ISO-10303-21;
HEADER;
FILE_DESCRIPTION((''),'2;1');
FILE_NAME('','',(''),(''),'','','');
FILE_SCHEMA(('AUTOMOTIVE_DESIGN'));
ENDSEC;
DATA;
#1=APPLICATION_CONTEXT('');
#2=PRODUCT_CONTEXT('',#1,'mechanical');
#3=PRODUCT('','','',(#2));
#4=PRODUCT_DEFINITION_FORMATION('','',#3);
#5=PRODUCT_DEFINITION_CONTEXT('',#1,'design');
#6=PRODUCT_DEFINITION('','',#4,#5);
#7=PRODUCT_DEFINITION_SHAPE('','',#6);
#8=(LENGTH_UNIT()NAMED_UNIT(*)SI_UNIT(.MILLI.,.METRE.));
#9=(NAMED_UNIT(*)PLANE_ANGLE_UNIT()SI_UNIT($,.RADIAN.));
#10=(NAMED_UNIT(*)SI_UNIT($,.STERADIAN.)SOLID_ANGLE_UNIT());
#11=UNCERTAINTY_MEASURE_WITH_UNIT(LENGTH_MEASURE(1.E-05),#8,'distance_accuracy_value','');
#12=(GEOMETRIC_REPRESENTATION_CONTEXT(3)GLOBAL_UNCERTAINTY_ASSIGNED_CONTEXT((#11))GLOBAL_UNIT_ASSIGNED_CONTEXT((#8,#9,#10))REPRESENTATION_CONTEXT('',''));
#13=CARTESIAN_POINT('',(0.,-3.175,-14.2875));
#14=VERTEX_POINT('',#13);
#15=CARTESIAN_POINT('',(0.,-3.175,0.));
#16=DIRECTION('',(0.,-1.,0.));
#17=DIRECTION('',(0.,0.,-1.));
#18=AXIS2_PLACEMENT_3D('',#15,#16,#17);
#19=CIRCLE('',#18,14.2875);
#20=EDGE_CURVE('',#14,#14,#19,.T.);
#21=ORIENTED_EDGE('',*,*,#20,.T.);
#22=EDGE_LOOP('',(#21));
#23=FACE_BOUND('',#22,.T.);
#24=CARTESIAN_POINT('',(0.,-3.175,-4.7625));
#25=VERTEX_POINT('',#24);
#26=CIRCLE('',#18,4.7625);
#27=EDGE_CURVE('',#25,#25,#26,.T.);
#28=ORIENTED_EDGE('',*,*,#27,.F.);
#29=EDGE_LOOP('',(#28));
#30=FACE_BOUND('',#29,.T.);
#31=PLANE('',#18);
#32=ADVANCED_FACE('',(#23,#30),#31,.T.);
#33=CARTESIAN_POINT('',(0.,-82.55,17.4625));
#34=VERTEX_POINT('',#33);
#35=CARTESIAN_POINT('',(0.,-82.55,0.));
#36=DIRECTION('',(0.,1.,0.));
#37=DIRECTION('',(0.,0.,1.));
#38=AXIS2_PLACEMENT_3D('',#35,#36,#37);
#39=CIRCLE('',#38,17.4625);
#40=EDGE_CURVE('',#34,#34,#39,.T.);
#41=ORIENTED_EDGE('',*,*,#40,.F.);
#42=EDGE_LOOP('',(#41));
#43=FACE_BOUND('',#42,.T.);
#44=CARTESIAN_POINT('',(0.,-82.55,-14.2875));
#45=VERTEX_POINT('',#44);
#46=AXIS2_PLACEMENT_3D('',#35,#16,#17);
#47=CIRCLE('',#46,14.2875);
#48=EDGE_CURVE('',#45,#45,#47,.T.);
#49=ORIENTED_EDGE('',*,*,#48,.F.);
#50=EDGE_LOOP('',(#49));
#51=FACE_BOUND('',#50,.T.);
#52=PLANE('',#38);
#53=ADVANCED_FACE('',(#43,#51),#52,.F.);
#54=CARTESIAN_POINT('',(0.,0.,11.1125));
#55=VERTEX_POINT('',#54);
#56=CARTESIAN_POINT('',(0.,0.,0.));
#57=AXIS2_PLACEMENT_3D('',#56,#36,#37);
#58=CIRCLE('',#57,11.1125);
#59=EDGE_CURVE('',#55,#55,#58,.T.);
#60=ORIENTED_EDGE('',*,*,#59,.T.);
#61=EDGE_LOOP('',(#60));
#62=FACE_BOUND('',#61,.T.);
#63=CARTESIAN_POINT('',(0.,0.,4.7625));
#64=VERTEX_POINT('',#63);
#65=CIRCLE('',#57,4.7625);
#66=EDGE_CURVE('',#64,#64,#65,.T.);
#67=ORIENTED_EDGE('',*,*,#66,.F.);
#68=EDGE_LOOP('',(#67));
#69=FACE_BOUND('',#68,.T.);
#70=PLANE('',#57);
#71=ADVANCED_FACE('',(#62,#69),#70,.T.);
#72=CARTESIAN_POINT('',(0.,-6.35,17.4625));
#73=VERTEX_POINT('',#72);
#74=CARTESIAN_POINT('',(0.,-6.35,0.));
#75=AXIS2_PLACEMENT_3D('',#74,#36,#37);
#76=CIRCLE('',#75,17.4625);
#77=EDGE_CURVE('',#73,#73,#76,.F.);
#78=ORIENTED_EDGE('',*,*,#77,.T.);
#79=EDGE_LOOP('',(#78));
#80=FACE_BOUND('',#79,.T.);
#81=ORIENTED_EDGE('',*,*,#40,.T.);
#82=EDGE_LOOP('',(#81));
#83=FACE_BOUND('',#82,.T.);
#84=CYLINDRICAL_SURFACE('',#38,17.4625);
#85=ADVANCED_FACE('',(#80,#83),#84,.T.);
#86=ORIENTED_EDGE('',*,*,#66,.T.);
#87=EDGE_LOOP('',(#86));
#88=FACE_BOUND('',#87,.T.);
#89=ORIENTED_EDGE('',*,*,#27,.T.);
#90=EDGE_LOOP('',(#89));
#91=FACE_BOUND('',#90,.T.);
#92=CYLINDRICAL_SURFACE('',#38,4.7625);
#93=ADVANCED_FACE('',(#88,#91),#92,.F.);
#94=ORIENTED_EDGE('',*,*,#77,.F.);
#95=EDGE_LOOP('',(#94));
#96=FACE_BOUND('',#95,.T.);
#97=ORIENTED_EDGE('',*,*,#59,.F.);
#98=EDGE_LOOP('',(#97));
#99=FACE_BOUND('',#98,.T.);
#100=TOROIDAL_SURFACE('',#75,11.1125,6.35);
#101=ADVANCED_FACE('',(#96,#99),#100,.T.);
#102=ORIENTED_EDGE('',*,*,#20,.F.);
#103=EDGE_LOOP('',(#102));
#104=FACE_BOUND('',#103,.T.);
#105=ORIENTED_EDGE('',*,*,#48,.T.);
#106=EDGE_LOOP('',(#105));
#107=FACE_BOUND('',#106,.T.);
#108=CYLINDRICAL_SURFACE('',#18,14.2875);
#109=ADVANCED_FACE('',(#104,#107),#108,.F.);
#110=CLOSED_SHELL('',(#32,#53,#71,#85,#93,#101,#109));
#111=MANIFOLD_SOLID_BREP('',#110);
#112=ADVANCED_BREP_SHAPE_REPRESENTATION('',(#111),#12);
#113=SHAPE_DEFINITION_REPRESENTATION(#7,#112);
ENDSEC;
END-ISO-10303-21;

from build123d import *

# Parameters (mm, degrees)
SKETCH1_R           = 17.4625
BOSS_EXTRUDE1_DEPTH = 82.55
SKETCH2_R           = 14.2875
CUT_EXTRUDE1_DEPTH  = 79.375
SKETCH3_R           = 4.7625
CUT_EXTRUDE2_DEPTH  = 83.55
FILLET2_R           = 6.35


with BuildPart() as part:
    # Sketch1 → Boss-Extrude1 (new body)
    with BuildSketch(Plane(origin=(0, 0, 0), x_dir=(1, 0, 0), z_dir=(0, 1, 0))):
        Circle(SKETCH1_R)
    extrude(amount=-BOSS_EXTRUDE1_DEPTH)

    # Sketch2 → Cut-Extrude1 (cut)
    with BuildSketch(Plane.XZ.offset(82.55)):
        Circle(SKETCH2_R)
    extrude(amount=-CUT_EXTRUDE1_DEPTH, mode=Mode.SUBTRACT)

    # Sketch3 → Cut-Extrude2 (cut, through all)
    with BuildSketch(Plane(origin=(0, 0, 0), x_dir=(1, 0, 0), z_dir=(0, 1, 0))):
        Circle(SKETCH3_R)
    extrude(amount=-CUT_EXTRUDE2_DEPTH, mode=Mode.SUBTRACT)

    # Fillet2
    fillet2_edges = [part.edges().sort_by_distance(p)[0] for p in [
        (-17.4625, 0, 0),
    ]]
    fillet(fillet2_edges, radius=FILLET2_R)


solid = part.part
